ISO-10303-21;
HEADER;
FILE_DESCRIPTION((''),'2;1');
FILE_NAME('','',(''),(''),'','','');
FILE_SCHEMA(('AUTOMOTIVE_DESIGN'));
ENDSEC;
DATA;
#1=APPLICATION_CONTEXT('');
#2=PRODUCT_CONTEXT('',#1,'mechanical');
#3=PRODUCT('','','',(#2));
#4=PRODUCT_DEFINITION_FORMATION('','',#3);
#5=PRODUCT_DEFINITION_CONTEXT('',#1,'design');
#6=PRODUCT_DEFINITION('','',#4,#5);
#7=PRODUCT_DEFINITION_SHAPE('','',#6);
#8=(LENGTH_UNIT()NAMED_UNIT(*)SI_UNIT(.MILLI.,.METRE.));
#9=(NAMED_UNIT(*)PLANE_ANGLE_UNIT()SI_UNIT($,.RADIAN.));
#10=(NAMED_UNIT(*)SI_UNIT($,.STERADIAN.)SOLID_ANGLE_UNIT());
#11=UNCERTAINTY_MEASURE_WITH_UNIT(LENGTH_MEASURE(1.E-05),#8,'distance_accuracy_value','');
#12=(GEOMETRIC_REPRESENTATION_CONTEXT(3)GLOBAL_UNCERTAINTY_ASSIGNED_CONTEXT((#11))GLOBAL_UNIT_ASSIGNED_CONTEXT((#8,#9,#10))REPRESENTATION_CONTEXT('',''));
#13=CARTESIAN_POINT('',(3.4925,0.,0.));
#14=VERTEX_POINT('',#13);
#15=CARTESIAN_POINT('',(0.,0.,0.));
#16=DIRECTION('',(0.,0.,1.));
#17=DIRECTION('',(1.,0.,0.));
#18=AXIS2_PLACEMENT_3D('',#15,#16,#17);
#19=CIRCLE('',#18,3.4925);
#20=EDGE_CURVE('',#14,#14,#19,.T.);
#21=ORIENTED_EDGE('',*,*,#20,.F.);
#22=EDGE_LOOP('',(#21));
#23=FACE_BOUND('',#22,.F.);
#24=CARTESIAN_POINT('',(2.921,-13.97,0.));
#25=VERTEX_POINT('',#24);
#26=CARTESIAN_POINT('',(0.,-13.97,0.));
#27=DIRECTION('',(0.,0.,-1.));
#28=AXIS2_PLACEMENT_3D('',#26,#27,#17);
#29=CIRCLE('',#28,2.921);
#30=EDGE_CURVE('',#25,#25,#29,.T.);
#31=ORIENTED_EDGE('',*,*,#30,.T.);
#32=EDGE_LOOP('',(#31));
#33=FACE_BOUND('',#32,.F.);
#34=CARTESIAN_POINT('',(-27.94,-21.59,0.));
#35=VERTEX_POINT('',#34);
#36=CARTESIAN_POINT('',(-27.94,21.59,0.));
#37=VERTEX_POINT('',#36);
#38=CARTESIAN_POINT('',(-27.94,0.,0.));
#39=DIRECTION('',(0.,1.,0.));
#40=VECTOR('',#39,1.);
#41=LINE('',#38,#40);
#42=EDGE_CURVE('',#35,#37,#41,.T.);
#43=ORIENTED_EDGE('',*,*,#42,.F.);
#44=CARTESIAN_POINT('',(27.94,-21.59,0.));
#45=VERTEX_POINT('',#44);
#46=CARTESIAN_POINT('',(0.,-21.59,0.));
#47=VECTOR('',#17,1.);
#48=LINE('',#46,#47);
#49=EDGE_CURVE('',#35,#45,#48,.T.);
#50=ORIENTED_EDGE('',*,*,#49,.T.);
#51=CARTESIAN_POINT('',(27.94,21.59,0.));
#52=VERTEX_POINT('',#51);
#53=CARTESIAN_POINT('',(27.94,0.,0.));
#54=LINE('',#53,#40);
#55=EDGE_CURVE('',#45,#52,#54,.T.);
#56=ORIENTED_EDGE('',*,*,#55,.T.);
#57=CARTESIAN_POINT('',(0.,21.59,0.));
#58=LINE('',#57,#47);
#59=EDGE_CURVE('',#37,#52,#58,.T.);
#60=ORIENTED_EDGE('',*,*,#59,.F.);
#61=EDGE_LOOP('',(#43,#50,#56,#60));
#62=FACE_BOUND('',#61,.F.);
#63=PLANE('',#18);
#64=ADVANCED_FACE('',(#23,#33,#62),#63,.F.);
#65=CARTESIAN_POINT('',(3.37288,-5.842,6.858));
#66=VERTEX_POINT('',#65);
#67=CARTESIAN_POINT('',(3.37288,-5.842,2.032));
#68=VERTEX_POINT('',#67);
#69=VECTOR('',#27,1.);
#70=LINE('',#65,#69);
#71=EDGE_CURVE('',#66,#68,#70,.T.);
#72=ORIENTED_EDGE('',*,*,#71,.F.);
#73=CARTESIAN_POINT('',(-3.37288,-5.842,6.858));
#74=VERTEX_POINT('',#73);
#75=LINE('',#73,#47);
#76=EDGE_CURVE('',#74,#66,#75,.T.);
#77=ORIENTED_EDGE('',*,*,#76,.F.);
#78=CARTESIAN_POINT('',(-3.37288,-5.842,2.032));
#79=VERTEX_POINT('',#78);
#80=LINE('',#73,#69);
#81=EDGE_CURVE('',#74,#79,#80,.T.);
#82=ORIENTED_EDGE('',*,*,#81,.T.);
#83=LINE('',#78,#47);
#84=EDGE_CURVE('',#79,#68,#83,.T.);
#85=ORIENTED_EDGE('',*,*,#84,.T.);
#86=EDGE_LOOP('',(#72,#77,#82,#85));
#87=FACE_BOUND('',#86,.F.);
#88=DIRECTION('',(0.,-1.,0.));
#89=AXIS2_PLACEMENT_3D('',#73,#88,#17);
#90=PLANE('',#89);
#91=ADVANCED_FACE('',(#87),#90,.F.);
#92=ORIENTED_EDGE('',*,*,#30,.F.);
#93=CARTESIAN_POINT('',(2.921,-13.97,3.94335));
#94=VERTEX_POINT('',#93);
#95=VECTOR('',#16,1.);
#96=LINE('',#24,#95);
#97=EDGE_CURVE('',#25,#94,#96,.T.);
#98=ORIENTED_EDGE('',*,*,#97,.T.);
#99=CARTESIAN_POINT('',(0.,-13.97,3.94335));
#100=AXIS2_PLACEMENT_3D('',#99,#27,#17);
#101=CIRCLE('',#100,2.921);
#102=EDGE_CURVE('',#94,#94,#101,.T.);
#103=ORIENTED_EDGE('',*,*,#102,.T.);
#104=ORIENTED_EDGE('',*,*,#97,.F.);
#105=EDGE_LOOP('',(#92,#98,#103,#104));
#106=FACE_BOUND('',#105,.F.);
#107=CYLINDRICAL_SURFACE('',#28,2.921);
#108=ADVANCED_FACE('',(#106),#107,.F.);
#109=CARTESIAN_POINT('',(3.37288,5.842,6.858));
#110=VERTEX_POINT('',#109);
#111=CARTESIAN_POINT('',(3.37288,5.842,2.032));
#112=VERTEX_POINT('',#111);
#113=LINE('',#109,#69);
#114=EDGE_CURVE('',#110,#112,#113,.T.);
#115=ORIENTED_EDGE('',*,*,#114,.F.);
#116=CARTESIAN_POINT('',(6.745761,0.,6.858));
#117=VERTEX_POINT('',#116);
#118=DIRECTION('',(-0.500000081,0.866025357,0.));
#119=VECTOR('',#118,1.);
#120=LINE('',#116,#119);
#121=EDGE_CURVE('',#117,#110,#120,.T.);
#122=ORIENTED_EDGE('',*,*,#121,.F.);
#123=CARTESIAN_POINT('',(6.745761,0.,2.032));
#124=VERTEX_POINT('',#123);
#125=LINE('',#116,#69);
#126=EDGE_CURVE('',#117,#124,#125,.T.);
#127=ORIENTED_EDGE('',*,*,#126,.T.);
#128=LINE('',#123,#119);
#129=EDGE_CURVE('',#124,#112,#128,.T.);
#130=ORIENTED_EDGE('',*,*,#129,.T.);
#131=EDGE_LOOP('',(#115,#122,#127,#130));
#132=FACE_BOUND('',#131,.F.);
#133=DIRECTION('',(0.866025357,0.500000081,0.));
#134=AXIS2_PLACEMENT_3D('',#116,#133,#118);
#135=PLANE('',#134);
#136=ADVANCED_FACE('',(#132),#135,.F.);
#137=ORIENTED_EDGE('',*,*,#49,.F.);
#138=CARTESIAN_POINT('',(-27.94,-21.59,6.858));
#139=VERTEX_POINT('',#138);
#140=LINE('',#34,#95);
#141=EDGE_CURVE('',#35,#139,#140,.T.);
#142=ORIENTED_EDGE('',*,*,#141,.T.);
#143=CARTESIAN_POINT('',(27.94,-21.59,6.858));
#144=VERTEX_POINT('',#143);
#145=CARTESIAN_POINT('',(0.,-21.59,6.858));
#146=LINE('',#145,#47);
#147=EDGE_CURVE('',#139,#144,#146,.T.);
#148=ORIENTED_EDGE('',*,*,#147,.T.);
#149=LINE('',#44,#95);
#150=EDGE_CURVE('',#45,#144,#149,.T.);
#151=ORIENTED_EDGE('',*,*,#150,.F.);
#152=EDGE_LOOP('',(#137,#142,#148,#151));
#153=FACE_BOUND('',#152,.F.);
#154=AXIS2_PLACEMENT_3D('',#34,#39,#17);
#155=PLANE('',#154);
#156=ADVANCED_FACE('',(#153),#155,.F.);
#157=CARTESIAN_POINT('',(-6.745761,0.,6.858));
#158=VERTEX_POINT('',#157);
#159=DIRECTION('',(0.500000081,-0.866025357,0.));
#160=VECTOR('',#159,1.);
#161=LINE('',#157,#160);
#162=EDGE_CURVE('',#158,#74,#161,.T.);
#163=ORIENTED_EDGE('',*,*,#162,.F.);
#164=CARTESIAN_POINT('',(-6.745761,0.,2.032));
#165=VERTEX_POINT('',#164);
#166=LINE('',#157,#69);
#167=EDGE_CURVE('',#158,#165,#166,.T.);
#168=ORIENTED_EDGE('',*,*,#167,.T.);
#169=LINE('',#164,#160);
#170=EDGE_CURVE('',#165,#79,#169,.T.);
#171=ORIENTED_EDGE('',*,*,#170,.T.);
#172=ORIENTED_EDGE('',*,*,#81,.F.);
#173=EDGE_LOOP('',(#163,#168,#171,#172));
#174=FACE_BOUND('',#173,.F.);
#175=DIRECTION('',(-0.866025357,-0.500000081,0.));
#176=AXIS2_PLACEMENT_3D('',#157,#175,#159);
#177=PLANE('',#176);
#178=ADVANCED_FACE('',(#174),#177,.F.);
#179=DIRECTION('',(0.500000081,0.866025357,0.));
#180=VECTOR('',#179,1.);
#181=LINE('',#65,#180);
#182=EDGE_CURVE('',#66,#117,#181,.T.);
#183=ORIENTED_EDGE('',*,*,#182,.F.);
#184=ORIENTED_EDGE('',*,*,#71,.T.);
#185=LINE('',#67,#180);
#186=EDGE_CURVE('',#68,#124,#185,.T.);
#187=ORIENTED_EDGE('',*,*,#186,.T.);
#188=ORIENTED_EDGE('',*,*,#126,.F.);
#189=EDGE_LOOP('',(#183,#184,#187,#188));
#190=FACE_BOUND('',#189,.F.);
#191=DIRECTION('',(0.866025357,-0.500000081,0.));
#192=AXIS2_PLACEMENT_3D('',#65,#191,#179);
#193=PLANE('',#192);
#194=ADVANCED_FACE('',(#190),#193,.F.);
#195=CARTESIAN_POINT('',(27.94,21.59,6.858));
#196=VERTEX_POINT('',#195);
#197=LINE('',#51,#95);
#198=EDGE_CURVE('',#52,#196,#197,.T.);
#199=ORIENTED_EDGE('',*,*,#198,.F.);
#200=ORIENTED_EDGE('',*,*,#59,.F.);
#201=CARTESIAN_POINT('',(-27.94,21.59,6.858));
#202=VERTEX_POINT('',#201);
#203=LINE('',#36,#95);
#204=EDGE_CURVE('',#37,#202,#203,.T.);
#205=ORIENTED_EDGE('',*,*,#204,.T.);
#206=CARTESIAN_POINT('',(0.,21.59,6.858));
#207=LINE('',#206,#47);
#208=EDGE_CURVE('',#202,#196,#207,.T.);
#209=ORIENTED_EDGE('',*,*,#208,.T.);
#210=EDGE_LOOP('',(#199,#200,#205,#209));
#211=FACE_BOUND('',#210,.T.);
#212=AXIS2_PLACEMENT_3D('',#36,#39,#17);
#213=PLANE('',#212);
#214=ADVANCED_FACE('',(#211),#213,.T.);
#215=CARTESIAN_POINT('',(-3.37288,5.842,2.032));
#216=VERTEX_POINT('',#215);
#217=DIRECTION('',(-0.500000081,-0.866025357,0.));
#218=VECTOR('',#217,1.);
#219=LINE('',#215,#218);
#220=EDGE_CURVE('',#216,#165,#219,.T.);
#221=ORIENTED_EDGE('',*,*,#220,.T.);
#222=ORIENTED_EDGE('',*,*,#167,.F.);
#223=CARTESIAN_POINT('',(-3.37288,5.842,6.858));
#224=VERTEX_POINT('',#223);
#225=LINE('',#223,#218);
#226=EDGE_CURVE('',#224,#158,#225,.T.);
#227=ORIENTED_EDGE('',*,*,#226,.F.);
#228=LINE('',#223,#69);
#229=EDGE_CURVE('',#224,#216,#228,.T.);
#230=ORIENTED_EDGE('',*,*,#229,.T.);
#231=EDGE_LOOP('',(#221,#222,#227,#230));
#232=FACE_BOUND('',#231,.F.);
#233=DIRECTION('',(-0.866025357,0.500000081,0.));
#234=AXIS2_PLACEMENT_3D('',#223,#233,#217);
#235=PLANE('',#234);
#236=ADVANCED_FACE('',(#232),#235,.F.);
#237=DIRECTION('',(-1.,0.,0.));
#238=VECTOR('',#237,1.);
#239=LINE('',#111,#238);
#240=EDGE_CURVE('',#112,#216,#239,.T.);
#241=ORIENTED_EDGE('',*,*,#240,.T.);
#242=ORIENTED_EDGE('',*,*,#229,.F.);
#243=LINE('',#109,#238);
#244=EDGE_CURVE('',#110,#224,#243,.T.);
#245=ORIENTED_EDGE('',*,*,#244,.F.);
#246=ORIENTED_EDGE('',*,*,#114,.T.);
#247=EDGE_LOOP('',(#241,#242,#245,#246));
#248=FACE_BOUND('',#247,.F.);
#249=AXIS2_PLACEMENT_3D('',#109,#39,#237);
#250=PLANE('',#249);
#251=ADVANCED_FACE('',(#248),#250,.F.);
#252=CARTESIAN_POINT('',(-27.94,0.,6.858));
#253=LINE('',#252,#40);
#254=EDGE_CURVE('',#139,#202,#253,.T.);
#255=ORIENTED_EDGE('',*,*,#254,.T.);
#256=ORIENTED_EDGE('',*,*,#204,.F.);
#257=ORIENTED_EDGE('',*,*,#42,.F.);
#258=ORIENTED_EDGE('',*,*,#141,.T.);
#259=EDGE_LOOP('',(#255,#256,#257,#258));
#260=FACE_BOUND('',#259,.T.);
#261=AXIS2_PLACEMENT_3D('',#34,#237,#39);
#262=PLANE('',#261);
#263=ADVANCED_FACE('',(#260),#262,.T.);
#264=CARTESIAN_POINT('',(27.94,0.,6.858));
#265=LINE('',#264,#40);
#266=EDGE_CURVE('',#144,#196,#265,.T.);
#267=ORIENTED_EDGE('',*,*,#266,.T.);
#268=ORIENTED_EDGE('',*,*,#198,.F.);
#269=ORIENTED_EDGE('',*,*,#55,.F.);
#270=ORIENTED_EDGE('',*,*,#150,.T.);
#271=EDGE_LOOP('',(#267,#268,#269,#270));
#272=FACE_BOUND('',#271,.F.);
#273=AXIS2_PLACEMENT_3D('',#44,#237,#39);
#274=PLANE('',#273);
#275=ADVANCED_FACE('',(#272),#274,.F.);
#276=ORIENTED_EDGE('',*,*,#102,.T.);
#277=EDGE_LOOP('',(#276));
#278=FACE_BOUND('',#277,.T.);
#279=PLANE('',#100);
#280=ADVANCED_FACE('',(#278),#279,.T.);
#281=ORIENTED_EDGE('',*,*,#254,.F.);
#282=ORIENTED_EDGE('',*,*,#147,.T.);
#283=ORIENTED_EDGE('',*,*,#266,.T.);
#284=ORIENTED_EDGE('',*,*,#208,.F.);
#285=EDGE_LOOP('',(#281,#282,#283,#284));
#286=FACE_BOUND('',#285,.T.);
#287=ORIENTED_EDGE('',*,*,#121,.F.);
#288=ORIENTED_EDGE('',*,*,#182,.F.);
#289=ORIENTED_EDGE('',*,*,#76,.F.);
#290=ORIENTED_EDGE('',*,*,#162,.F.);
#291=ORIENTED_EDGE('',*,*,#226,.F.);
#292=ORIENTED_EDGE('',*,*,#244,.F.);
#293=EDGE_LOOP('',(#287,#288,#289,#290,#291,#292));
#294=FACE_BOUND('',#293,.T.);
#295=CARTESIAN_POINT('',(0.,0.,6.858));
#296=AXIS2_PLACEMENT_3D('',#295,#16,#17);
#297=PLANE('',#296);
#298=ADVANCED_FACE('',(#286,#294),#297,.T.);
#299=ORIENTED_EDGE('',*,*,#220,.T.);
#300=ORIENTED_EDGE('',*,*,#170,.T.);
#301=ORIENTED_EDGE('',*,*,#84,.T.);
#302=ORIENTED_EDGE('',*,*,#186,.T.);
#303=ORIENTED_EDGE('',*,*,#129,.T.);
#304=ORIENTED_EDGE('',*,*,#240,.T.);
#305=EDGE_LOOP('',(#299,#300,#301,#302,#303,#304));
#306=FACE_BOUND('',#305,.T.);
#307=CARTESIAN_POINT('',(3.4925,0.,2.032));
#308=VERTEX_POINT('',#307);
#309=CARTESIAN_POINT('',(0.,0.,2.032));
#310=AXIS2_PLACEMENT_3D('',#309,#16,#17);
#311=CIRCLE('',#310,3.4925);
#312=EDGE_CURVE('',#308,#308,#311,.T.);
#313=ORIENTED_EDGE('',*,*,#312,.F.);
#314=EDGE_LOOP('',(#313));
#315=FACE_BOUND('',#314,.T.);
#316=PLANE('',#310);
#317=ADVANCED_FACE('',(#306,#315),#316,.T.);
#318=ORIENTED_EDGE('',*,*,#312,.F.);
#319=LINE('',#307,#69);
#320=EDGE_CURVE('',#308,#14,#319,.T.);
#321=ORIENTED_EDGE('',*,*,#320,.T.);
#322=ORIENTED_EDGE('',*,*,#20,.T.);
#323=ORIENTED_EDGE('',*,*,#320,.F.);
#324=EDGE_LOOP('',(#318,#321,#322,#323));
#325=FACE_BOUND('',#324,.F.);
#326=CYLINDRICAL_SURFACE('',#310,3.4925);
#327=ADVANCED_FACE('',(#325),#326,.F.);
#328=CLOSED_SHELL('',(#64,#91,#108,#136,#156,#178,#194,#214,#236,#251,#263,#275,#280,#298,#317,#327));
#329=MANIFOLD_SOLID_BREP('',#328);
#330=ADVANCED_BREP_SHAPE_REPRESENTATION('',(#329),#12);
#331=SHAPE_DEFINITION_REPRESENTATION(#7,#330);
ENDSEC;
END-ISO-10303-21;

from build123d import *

# Parameters (mm, degrees)
F0_W     = 55.88
F0_H     = 43.18
F1_DEPTH = 6.858
F3_R     = 2.921
F4_DEPTH = 3.94335
F5_DEPTH = 4.826
F6_R     = 3.4925
F7_DEPTH = 25.4


with BuildPart() as f1:
    # F0 (on Top) → F1 (new body)
    with BuildSketch(Plane.XY):
        Rectangle(F0_W, F0_H)
    extrude(amount=F1_DEPTH)

    # F3 (on face) → F4 (cut)
    with BuildSketch(Plane(origin=(0, 0, 0), x_dir=(1, 0, 0), z_dir=(0, 0, -1))):
        with Locations((0, 13.97)):
            Circle(F3_R)
    extrude(amount=-F4_DEPTH, mode=Mode.SUBTRACT)

    # F2 (on face) → F5 (cut)
    with BuildSketch(Plane.XY.offset(6.858)):
        Polygon((3.37288, -5.842), (6.745761, 0), (3.37288, 5.842), (-3.37288, 5.842), (-6.745761, 0), (-3.37288, -5.842), align=None)
    extrude(amount=-F5_DEPTH, mode=Mode.SUBTRACT)

    # F6 (on face) → F7 (cut)
    with BuildSketch(Plane.XY.offset(2.032)):
        Circle(F6_R)
    extrude(amount=-F7_DEPTH, mode=Mode.SUBTRACT)


solid = f1.part
